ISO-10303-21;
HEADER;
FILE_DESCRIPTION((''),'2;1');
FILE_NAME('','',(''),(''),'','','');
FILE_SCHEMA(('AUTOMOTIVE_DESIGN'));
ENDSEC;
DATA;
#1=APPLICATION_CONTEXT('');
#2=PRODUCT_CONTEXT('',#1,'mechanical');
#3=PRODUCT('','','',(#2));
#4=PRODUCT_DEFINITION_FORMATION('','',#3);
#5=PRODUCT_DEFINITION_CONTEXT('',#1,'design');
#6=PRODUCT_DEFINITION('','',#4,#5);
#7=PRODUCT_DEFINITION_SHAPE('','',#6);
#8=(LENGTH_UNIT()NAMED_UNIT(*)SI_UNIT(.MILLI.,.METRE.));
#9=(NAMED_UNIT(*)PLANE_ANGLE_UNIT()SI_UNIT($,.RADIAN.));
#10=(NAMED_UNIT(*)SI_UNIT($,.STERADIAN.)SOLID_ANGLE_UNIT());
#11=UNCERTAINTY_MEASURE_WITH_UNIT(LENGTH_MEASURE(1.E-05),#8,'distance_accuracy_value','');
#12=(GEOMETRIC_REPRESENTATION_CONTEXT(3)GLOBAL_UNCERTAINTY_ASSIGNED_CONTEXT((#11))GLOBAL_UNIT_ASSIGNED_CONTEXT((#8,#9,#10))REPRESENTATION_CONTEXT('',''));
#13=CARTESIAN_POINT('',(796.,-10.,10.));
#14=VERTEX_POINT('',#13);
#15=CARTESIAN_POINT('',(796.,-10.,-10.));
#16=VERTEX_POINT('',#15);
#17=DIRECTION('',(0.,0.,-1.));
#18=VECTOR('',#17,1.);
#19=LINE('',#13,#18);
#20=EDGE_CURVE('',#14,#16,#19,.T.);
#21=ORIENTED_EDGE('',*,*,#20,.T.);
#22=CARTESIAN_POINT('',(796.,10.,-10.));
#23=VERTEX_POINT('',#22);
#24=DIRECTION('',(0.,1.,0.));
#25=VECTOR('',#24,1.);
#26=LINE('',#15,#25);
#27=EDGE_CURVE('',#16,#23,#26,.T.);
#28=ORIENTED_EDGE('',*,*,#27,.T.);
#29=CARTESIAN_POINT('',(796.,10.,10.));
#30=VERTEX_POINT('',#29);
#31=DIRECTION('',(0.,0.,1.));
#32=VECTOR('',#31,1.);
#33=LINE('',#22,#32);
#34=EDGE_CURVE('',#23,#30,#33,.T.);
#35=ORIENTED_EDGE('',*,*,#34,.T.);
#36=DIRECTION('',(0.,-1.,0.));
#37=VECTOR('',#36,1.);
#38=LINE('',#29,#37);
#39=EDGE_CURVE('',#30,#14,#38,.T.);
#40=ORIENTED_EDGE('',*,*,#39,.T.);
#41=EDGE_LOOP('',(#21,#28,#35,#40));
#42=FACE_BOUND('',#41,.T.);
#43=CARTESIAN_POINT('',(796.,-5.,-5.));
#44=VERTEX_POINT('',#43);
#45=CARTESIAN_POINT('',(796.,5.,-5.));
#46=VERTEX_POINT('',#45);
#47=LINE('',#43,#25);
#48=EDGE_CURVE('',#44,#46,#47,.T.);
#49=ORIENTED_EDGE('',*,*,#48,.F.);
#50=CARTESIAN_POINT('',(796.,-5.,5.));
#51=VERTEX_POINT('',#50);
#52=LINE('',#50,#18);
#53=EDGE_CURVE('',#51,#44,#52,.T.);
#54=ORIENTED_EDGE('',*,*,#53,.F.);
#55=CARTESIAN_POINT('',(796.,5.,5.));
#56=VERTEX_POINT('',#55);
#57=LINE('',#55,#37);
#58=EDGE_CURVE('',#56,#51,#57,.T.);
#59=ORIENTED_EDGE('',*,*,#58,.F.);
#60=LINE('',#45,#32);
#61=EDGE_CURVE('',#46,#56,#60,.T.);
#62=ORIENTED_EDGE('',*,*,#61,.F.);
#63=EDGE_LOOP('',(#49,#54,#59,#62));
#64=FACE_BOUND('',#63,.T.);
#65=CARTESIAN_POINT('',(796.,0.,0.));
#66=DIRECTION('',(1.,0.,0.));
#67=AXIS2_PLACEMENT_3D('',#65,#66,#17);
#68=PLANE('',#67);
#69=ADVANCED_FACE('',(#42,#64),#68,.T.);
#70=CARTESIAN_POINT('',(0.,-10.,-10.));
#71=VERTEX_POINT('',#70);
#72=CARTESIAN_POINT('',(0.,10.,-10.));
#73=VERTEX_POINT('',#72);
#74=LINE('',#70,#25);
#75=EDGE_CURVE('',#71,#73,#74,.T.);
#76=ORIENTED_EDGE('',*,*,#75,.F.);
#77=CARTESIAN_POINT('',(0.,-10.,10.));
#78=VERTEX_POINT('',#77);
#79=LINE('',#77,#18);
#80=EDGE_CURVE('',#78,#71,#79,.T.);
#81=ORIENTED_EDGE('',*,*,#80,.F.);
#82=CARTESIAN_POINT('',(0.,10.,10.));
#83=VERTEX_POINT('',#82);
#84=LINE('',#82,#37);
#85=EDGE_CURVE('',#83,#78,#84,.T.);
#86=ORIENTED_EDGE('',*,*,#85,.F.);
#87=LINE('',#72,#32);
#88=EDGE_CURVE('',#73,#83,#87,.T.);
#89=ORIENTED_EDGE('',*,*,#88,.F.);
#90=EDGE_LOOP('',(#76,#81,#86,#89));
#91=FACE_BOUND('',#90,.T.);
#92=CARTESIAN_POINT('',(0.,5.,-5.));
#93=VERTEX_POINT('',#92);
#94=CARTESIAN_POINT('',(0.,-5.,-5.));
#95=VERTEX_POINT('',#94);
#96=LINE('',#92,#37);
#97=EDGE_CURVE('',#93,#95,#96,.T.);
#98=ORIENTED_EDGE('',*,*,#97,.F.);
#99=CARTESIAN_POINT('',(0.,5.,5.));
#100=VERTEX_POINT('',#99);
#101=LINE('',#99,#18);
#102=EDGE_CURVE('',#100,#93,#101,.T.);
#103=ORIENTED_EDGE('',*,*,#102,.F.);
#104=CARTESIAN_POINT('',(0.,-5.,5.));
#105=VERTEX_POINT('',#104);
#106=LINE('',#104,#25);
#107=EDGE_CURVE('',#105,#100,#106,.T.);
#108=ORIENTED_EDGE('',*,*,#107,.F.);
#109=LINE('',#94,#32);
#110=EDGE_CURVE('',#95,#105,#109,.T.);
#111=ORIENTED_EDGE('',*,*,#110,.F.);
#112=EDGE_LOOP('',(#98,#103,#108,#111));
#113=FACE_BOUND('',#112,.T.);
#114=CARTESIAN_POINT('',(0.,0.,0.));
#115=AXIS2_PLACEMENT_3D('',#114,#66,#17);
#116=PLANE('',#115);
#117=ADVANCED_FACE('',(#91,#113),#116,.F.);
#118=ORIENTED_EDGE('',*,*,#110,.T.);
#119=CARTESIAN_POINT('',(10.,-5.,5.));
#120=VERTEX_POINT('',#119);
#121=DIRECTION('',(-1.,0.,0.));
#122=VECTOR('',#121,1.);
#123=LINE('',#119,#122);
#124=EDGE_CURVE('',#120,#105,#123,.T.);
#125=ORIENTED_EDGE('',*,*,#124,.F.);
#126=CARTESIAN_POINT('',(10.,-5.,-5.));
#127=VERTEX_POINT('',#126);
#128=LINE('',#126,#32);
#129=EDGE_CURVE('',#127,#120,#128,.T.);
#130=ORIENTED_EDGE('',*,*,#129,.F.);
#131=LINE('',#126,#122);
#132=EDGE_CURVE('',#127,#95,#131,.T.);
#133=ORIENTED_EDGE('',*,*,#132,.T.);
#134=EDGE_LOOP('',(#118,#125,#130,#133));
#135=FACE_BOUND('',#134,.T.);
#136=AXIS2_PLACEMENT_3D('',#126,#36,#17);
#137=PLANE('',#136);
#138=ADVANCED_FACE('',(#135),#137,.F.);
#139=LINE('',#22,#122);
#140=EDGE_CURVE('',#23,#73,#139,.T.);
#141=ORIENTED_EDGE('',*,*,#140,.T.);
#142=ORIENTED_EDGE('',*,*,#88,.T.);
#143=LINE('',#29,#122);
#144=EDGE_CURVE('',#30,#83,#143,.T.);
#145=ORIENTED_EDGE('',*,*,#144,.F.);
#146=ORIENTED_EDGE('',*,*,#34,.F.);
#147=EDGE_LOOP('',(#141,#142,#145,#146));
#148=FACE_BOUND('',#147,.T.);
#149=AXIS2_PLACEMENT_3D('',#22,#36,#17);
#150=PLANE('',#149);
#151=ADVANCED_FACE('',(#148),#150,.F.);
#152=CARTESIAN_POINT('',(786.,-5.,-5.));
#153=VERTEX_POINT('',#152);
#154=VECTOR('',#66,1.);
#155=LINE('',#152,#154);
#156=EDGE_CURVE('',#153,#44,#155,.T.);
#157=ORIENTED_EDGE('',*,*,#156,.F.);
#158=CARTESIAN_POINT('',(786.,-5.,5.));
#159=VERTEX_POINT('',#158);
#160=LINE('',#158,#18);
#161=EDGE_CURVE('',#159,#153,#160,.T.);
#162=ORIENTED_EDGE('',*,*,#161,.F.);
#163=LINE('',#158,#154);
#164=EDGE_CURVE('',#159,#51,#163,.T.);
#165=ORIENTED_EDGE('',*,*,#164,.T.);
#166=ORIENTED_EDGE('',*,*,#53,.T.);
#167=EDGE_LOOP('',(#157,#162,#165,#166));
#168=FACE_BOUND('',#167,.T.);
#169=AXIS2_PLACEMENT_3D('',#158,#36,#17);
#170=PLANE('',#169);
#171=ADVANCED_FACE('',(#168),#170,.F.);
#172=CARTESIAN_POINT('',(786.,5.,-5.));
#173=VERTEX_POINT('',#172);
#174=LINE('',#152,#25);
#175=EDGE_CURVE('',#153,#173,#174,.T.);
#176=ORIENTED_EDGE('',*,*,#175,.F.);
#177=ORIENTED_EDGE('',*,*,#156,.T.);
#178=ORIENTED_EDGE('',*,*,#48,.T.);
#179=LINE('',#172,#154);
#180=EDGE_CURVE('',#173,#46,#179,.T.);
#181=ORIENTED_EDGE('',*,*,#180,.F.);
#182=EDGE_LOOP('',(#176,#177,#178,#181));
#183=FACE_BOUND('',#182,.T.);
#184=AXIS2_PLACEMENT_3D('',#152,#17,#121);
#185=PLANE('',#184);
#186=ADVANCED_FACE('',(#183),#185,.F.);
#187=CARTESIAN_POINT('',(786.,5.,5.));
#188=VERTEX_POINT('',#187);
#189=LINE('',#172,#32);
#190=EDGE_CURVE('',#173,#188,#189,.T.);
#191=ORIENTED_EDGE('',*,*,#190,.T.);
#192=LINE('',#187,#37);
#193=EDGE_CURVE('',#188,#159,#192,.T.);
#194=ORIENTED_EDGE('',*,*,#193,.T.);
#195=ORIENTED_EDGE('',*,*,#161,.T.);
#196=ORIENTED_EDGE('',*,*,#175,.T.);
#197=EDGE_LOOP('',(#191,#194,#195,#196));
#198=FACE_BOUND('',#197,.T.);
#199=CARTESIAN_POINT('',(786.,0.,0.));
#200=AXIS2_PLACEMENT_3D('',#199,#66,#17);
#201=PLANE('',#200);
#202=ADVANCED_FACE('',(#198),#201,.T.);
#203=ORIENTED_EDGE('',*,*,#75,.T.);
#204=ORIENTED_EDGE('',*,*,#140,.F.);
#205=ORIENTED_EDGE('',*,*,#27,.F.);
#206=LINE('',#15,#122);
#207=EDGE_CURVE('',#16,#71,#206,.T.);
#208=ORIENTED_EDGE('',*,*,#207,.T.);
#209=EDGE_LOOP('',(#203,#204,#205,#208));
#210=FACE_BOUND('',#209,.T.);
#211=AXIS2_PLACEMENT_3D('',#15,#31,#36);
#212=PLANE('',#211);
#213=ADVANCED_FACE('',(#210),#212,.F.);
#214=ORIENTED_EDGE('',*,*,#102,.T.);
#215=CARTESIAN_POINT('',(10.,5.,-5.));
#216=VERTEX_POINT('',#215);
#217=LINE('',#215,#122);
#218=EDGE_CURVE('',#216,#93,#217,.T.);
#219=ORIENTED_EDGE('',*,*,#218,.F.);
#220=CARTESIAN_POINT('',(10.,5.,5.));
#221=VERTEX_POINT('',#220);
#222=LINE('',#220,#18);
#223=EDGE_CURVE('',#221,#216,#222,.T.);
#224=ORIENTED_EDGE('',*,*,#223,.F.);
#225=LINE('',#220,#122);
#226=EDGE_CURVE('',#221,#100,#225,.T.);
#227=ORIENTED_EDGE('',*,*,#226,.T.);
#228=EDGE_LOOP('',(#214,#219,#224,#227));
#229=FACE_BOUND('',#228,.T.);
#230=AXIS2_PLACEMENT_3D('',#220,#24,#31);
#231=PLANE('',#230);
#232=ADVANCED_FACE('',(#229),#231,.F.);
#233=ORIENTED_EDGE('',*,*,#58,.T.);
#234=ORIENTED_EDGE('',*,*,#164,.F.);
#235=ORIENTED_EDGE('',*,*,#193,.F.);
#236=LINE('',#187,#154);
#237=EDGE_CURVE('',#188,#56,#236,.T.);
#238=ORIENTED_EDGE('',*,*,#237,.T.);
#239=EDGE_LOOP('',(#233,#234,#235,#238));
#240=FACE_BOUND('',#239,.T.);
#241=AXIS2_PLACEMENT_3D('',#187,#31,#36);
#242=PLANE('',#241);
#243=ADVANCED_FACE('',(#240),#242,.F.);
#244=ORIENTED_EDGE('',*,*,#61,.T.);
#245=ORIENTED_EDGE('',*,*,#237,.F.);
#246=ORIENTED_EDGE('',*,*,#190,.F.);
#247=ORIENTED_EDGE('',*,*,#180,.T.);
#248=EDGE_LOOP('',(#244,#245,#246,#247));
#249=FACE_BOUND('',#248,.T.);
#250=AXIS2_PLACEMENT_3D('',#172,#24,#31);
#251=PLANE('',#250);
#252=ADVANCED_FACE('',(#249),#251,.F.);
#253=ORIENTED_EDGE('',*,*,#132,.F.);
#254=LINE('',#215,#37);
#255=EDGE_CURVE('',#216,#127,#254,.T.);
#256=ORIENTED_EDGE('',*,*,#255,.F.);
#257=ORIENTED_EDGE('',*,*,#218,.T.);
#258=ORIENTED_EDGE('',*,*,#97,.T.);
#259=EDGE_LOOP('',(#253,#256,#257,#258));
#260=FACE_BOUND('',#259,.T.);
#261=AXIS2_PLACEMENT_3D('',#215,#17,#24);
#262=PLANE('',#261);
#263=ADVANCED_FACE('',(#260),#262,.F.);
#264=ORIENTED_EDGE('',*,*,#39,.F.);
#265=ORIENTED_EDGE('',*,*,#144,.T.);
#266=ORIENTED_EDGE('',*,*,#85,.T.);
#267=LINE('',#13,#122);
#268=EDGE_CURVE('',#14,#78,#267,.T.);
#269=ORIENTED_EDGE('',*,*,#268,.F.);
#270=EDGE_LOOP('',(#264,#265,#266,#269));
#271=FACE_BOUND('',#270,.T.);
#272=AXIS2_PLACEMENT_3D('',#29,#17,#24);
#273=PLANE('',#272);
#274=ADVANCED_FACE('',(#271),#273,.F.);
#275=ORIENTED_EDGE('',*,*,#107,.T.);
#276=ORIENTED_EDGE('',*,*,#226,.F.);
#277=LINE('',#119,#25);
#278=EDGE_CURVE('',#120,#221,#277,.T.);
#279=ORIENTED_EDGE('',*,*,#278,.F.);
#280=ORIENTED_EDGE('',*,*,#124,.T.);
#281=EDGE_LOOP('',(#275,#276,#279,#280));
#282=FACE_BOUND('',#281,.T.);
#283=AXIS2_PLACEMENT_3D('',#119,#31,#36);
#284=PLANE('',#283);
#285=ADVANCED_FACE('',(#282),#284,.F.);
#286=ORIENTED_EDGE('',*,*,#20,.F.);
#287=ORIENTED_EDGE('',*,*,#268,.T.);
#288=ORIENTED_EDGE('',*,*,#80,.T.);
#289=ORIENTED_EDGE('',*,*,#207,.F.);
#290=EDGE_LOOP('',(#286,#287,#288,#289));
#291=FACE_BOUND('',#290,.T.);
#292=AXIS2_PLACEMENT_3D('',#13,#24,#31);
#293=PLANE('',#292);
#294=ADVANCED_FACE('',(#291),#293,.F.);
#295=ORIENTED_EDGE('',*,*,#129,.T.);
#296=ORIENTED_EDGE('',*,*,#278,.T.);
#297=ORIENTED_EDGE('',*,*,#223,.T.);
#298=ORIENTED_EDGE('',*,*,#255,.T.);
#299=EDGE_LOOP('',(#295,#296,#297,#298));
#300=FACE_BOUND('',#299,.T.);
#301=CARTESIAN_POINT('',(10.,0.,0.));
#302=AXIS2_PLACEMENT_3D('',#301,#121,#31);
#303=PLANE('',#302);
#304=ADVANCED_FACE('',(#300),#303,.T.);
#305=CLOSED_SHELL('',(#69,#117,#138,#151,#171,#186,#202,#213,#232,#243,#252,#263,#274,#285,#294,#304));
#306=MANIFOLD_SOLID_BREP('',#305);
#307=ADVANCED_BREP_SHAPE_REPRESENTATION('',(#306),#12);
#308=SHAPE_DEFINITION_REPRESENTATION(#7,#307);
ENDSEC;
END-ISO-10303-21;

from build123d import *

# Parameters (mm, degrees)
SKETCH1_W           = 20
SKETCH1_H           = 20
BOSS_EXTRUDE1_DEPTH = 796
SKETCH3_W           = 10
SKETCH3_H           = 10
CUT_EXTRUDE1_DEPTH  = 10
SKETCH4_W           = 10
SKETCH4_H           = 10
CUT_EXTRUDE2_DEPTH  = 10


with BuildPart() as part:
    # Sketch1 → Boss-Extrude1 (new body)
    with BuildSketch(Plane(origin=(0, 0, 0), x_dir=(0, 0, -1), z_dir=(1, 0, 0))):
        Rectangle(SKETCH1_W, SKETCH1_H)
    extrude(amount=BOSS_EXTRUDE1_DEPTH)

    # Sketch3 → Cut-Extrude1 (cut)
    with BuildSketch(Plane(origin=(796, 0, 0), x_dir=(0, 0, -1), z_dir=(1, 0, 0))):
        Rectangle(SKETCH3_W, SKETCH3_H)
    extrude(amount=-CUT_EXTRUDE1_DEPTH, mode=Mode.SUBTRACT)

    # Sketch4 → Cut-Extrude2 (cut)
    with BuildSketch(Plane.ZY):
        Rectangle(SKETCH4_W, SKETCH4_H)
    extrude(amount=-CUT_EXTRUDE2_DEPTH, mode=Mode.SUBTRACT)


solid = part.part
